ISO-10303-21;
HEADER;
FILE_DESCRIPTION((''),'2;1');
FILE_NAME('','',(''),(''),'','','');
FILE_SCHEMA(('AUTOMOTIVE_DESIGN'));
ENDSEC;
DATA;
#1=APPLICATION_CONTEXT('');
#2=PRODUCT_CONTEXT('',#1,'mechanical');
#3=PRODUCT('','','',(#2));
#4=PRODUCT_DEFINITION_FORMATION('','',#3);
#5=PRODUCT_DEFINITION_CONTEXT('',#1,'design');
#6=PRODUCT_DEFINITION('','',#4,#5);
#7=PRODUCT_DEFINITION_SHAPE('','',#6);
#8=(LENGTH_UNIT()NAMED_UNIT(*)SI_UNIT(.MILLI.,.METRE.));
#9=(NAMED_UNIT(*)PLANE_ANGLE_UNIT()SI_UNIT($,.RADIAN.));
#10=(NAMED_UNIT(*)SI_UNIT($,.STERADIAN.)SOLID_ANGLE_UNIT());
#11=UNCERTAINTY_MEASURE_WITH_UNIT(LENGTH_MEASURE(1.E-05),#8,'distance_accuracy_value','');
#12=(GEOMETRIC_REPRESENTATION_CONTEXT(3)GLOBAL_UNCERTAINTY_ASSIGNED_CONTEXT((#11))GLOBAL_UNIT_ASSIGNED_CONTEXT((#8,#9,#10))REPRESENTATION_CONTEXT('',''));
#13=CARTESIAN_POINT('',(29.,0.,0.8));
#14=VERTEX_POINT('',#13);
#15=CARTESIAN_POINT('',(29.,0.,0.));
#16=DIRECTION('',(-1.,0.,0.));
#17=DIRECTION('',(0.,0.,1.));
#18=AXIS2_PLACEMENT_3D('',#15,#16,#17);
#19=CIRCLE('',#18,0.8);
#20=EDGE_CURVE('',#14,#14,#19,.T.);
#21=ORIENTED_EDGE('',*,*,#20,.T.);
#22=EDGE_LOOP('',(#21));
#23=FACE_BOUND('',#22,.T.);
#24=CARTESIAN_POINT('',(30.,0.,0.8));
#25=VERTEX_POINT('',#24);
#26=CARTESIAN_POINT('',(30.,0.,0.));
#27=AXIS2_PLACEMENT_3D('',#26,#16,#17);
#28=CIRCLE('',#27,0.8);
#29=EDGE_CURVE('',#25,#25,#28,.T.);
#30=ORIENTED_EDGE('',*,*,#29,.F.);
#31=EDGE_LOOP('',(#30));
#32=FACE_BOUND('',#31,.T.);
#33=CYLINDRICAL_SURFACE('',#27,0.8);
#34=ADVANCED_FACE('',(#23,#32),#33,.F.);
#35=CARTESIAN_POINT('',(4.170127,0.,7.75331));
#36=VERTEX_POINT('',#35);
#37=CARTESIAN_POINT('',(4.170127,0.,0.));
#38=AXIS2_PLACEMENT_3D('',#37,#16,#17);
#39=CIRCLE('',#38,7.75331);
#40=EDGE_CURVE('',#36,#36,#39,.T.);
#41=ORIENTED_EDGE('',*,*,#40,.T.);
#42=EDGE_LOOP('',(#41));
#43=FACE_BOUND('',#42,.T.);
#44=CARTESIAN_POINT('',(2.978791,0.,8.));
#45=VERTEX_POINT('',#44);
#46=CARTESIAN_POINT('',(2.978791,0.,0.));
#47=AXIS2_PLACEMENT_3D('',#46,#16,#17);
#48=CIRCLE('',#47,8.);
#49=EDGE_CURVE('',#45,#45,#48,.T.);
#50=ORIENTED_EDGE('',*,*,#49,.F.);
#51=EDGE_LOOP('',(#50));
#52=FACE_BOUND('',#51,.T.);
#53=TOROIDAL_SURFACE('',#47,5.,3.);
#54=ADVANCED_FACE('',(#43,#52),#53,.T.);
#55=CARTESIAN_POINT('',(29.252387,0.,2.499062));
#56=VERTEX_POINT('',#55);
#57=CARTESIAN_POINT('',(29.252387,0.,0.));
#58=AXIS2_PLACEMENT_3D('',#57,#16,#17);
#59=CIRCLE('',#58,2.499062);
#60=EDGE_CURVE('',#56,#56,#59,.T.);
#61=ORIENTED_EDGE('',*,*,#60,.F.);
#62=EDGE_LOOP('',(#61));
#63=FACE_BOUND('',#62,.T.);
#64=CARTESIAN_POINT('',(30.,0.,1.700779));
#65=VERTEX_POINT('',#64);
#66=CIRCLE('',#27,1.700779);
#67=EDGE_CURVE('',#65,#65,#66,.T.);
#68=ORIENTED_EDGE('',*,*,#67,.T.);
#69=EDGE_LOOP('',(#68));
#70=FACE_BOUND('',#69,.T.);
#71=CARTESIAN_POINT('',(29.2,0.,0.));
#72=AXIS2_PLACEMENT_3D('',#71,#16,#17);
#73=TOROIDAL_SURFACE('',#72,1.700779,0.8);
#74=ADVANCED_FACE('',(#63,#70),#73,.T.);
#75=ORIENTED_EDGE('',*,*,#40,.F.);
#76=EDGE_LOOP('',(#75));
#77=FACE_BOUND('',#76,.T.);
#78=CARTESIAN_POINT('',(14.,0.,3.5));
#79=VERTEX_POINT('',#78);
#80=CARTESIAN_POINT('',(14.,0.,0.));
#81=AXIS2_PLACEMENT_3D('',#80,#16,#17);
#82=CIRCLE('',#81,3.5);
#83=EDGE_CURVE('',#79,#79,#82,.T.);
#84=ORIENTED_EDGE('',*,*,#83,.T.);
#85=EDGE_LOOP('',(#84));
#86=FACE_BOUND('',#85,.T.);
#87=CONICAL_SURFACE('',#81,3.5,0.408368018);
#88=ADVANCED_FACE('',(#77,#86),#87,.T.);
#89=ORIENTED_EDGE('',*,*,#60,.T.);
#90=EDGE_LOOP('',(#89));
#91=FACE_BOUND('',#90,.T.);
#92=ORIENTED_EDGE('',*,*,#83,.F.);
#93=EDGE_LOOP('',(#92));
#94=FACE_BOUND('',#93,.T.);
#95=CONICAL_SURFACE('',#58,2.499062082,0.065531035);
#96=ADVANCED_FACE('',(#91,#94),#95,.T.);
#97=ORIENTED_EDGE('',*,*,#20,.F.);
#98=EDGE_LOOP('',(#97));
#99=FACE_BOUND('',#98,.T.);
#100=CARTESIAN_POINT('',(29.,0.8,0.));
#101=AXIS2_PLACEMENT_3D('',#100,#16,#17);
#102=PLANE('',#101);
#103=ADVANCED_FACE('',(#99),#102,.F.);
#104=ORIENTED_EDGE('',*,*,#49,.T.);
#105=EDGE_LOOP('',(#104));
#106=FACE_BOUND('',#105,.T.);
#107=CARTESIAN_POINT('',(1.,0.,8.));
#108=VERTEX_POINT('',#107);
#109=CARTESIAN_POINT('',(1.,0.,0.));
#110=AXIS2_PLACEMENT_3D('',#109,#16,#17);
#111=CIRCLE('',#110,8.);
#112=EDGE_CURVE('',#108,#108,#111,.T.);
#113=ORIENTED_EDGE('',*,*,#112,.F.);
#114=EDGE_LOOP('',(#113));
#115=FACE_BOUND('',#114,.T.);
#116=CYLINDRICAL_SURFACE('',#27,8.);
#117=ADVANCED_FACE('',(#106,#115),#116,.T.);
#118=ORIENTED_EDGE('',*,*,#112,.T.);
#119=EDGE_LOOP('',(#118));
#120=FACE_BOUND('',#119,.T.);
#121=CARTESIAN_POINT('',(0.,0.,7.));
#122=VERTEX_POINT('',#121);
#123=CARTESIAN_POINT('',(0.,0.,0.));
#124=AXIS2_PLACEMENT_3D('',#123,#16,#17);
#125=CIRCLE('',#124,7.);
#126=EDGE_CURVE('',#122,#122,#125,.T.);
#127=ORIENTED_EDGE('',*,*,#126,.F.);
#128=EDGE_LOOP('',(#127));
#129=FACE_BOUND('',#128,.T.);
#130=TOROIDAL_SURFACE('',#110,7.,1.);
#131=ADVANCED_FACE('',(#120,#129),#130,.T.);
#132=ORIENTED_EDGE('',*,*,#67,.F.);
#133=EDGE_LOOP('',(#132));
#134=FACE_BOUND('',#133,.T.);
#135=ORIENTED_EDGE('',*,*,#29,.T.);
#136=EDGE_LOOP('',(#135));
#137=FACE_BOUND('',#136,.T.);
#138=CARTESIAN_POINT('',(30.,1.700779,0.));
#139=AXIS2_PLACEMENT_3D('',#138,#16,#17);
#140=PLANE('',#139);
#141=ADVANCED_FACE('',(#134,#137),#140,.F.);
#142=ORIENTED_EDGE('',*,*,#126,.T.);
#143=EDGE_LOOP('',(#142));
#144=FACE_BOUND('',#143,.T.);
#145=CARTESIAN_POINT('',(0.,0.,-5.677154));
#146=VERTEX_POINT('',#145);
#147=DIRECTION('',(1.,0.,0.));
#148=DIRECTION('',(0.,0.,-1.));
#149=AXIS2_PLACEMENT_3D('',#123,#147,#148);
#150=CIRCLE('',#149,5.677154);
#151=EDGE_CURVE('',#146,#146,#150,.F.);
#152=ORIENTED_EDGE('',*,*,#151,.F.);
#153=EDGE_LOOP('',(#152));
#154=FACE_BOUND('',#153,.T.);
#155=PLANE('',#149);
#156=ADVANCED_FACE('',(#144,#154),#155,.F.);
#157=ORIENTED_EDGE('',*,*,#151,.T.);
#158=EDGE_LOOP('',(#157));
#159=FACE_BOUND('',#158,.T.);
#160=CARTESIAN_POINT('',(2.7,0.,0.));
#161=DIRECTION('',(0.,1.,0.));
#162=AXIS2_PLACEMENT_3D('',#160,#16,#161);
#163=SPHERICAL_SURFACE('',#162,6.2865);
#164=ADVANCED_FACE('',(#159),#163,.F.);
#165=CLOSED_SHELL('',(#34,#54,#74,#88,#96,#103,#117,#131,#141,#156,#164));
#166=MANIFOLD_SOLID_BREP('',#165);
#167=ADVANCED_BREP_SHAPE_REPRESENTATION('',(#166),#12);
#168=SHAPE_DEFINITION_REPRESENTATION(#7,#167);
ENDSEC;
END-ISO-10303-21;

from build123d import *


with BuildPart() as part:
    # 草图1 → 旋转1 (revolve)
    with BuildSketch(Plane.XY):
        with BuildLine():
            Line((0, 0), (0, 7))
            ThreePointArc((0, 7), (0.292893219, 7.707106781), (1, 8))
            Line((1, 8), (2.978790918, 8))
            ThreePointArc((2.978790918, 8), (3.587095479, 7.937680303), (4.170127137, 7.753310373))
            Line((4.170127137, 7.753310373), (14, 3.5))
            Line((14, 3.5), (29.252387315, 2.499062082))
            ThreePointArc((29.252387315, 2.499062082), (29.783913457, 2.247629333), (30, 1.700779194))
            Line((30, 1.700779194), (30, 0.8))
            Line((30, 0.8), (29, 0.8))
            Line((29, 0.8), (29, 0))
            Line((29, 0), (0, 0))
        make_face()
    revolve(axis=Axis((30, 0, 0), (-1, 0, 0)))

    # 草图2 → 切除-旋转1 (revolve, cut)
    with BuildSketch(Plane.XY):
        with BuildLine():
            Line((8.9865, 0), (-3.5865, 0))
            ThreePointArc((-3.5865, 0), (2.7, 6.2865), (8.9865, 0))
        make_face()
    revolve(axis=Axis((50, 0, 0), (-1, 0, 0)), mode=Mode.SUBTRACT)


solid = part.part
